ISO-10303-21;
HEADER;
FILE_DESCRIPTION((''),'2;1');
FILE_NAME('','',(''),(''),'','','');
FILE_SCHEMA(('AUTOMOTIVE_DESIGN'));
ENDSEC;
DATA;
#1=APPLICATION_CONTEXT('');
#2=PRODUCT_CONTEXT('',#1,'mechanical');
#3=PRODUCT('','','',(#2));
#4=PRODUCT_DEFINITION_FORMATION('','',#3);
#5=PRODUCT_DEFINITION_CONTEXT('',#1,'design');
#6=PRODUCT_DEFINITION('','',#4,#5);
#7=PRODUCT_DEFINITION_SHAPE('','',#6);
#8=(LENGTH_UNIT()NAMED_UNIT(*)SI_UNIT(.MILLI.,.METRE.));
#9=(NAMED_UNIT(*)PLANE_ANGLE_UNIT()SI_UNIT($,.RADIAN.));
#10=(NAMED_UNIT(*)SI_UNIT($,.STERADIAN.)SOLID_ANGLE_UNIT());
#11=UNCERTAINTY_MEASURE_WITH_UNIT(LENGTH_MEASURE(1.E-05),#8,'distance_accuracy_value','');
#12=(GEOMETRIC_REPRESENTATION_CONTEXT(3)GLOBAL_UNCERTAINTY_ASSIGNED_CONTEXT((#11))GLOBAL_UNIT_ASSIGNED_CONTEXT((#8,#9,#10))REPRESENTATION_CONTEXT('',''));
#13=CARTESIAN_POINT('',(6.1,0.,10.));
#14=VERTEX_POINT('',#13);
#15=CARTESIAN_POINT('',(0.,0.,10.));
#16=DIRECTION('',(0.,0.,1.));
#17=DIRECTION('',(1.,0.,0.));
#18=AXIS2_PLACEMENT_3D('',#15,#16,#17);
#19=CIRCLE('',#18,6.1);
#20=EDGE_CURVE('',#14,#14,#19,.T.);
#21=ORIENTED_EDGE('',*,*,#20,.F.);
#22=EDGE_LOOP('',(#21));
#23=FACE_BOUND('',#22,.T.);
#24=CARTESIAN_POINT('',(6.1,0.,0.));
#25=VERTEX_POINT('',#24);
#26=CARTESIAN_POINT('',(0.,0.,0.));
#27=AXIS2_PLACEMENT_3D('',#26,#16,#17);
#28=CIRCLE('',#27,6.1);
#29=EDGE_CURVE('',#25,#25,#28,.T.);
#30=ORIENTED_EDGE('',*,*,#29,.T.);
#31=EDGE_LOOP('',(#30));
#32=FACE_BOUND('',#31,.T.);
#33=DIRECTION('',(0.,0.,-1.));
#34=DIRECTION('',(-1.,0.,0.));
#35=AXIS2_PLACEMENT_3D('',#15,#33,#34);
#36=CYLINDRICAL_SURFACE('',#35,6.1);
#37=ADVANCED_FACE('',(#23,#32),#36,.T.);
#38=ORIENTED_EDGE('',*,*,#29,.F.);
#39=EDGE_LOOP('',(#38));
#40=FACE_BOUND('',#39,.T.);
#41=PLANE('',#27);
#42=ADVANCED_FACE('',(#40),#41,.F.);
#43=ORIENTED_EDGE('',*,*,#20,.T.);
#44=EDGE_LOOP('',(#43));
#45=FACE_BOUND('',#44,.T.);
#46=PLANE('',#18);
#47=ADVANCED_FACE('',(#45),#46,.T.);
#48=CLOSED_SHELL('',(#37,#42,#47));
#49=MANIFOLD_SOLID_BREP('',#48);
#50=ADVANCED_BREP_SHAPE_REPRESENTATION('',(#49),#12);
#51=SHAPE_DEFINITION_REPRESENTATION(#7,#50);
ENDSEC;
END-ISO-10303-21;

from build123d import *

# Parameters (mm, degrees)
SKETCH1_R           = 6.1
BOSS_EXTRUDE1_DEPTH = 10


with BuildPart() as part:
    # Sketch1 → Boss-Extrude1 (new body)
    with BuildSketch(Plane.XY):
        Circle(SKETCH1_R)
    extrude(amount=BOSS_EXTRUDE1_DEPTH)


solid = part.part
